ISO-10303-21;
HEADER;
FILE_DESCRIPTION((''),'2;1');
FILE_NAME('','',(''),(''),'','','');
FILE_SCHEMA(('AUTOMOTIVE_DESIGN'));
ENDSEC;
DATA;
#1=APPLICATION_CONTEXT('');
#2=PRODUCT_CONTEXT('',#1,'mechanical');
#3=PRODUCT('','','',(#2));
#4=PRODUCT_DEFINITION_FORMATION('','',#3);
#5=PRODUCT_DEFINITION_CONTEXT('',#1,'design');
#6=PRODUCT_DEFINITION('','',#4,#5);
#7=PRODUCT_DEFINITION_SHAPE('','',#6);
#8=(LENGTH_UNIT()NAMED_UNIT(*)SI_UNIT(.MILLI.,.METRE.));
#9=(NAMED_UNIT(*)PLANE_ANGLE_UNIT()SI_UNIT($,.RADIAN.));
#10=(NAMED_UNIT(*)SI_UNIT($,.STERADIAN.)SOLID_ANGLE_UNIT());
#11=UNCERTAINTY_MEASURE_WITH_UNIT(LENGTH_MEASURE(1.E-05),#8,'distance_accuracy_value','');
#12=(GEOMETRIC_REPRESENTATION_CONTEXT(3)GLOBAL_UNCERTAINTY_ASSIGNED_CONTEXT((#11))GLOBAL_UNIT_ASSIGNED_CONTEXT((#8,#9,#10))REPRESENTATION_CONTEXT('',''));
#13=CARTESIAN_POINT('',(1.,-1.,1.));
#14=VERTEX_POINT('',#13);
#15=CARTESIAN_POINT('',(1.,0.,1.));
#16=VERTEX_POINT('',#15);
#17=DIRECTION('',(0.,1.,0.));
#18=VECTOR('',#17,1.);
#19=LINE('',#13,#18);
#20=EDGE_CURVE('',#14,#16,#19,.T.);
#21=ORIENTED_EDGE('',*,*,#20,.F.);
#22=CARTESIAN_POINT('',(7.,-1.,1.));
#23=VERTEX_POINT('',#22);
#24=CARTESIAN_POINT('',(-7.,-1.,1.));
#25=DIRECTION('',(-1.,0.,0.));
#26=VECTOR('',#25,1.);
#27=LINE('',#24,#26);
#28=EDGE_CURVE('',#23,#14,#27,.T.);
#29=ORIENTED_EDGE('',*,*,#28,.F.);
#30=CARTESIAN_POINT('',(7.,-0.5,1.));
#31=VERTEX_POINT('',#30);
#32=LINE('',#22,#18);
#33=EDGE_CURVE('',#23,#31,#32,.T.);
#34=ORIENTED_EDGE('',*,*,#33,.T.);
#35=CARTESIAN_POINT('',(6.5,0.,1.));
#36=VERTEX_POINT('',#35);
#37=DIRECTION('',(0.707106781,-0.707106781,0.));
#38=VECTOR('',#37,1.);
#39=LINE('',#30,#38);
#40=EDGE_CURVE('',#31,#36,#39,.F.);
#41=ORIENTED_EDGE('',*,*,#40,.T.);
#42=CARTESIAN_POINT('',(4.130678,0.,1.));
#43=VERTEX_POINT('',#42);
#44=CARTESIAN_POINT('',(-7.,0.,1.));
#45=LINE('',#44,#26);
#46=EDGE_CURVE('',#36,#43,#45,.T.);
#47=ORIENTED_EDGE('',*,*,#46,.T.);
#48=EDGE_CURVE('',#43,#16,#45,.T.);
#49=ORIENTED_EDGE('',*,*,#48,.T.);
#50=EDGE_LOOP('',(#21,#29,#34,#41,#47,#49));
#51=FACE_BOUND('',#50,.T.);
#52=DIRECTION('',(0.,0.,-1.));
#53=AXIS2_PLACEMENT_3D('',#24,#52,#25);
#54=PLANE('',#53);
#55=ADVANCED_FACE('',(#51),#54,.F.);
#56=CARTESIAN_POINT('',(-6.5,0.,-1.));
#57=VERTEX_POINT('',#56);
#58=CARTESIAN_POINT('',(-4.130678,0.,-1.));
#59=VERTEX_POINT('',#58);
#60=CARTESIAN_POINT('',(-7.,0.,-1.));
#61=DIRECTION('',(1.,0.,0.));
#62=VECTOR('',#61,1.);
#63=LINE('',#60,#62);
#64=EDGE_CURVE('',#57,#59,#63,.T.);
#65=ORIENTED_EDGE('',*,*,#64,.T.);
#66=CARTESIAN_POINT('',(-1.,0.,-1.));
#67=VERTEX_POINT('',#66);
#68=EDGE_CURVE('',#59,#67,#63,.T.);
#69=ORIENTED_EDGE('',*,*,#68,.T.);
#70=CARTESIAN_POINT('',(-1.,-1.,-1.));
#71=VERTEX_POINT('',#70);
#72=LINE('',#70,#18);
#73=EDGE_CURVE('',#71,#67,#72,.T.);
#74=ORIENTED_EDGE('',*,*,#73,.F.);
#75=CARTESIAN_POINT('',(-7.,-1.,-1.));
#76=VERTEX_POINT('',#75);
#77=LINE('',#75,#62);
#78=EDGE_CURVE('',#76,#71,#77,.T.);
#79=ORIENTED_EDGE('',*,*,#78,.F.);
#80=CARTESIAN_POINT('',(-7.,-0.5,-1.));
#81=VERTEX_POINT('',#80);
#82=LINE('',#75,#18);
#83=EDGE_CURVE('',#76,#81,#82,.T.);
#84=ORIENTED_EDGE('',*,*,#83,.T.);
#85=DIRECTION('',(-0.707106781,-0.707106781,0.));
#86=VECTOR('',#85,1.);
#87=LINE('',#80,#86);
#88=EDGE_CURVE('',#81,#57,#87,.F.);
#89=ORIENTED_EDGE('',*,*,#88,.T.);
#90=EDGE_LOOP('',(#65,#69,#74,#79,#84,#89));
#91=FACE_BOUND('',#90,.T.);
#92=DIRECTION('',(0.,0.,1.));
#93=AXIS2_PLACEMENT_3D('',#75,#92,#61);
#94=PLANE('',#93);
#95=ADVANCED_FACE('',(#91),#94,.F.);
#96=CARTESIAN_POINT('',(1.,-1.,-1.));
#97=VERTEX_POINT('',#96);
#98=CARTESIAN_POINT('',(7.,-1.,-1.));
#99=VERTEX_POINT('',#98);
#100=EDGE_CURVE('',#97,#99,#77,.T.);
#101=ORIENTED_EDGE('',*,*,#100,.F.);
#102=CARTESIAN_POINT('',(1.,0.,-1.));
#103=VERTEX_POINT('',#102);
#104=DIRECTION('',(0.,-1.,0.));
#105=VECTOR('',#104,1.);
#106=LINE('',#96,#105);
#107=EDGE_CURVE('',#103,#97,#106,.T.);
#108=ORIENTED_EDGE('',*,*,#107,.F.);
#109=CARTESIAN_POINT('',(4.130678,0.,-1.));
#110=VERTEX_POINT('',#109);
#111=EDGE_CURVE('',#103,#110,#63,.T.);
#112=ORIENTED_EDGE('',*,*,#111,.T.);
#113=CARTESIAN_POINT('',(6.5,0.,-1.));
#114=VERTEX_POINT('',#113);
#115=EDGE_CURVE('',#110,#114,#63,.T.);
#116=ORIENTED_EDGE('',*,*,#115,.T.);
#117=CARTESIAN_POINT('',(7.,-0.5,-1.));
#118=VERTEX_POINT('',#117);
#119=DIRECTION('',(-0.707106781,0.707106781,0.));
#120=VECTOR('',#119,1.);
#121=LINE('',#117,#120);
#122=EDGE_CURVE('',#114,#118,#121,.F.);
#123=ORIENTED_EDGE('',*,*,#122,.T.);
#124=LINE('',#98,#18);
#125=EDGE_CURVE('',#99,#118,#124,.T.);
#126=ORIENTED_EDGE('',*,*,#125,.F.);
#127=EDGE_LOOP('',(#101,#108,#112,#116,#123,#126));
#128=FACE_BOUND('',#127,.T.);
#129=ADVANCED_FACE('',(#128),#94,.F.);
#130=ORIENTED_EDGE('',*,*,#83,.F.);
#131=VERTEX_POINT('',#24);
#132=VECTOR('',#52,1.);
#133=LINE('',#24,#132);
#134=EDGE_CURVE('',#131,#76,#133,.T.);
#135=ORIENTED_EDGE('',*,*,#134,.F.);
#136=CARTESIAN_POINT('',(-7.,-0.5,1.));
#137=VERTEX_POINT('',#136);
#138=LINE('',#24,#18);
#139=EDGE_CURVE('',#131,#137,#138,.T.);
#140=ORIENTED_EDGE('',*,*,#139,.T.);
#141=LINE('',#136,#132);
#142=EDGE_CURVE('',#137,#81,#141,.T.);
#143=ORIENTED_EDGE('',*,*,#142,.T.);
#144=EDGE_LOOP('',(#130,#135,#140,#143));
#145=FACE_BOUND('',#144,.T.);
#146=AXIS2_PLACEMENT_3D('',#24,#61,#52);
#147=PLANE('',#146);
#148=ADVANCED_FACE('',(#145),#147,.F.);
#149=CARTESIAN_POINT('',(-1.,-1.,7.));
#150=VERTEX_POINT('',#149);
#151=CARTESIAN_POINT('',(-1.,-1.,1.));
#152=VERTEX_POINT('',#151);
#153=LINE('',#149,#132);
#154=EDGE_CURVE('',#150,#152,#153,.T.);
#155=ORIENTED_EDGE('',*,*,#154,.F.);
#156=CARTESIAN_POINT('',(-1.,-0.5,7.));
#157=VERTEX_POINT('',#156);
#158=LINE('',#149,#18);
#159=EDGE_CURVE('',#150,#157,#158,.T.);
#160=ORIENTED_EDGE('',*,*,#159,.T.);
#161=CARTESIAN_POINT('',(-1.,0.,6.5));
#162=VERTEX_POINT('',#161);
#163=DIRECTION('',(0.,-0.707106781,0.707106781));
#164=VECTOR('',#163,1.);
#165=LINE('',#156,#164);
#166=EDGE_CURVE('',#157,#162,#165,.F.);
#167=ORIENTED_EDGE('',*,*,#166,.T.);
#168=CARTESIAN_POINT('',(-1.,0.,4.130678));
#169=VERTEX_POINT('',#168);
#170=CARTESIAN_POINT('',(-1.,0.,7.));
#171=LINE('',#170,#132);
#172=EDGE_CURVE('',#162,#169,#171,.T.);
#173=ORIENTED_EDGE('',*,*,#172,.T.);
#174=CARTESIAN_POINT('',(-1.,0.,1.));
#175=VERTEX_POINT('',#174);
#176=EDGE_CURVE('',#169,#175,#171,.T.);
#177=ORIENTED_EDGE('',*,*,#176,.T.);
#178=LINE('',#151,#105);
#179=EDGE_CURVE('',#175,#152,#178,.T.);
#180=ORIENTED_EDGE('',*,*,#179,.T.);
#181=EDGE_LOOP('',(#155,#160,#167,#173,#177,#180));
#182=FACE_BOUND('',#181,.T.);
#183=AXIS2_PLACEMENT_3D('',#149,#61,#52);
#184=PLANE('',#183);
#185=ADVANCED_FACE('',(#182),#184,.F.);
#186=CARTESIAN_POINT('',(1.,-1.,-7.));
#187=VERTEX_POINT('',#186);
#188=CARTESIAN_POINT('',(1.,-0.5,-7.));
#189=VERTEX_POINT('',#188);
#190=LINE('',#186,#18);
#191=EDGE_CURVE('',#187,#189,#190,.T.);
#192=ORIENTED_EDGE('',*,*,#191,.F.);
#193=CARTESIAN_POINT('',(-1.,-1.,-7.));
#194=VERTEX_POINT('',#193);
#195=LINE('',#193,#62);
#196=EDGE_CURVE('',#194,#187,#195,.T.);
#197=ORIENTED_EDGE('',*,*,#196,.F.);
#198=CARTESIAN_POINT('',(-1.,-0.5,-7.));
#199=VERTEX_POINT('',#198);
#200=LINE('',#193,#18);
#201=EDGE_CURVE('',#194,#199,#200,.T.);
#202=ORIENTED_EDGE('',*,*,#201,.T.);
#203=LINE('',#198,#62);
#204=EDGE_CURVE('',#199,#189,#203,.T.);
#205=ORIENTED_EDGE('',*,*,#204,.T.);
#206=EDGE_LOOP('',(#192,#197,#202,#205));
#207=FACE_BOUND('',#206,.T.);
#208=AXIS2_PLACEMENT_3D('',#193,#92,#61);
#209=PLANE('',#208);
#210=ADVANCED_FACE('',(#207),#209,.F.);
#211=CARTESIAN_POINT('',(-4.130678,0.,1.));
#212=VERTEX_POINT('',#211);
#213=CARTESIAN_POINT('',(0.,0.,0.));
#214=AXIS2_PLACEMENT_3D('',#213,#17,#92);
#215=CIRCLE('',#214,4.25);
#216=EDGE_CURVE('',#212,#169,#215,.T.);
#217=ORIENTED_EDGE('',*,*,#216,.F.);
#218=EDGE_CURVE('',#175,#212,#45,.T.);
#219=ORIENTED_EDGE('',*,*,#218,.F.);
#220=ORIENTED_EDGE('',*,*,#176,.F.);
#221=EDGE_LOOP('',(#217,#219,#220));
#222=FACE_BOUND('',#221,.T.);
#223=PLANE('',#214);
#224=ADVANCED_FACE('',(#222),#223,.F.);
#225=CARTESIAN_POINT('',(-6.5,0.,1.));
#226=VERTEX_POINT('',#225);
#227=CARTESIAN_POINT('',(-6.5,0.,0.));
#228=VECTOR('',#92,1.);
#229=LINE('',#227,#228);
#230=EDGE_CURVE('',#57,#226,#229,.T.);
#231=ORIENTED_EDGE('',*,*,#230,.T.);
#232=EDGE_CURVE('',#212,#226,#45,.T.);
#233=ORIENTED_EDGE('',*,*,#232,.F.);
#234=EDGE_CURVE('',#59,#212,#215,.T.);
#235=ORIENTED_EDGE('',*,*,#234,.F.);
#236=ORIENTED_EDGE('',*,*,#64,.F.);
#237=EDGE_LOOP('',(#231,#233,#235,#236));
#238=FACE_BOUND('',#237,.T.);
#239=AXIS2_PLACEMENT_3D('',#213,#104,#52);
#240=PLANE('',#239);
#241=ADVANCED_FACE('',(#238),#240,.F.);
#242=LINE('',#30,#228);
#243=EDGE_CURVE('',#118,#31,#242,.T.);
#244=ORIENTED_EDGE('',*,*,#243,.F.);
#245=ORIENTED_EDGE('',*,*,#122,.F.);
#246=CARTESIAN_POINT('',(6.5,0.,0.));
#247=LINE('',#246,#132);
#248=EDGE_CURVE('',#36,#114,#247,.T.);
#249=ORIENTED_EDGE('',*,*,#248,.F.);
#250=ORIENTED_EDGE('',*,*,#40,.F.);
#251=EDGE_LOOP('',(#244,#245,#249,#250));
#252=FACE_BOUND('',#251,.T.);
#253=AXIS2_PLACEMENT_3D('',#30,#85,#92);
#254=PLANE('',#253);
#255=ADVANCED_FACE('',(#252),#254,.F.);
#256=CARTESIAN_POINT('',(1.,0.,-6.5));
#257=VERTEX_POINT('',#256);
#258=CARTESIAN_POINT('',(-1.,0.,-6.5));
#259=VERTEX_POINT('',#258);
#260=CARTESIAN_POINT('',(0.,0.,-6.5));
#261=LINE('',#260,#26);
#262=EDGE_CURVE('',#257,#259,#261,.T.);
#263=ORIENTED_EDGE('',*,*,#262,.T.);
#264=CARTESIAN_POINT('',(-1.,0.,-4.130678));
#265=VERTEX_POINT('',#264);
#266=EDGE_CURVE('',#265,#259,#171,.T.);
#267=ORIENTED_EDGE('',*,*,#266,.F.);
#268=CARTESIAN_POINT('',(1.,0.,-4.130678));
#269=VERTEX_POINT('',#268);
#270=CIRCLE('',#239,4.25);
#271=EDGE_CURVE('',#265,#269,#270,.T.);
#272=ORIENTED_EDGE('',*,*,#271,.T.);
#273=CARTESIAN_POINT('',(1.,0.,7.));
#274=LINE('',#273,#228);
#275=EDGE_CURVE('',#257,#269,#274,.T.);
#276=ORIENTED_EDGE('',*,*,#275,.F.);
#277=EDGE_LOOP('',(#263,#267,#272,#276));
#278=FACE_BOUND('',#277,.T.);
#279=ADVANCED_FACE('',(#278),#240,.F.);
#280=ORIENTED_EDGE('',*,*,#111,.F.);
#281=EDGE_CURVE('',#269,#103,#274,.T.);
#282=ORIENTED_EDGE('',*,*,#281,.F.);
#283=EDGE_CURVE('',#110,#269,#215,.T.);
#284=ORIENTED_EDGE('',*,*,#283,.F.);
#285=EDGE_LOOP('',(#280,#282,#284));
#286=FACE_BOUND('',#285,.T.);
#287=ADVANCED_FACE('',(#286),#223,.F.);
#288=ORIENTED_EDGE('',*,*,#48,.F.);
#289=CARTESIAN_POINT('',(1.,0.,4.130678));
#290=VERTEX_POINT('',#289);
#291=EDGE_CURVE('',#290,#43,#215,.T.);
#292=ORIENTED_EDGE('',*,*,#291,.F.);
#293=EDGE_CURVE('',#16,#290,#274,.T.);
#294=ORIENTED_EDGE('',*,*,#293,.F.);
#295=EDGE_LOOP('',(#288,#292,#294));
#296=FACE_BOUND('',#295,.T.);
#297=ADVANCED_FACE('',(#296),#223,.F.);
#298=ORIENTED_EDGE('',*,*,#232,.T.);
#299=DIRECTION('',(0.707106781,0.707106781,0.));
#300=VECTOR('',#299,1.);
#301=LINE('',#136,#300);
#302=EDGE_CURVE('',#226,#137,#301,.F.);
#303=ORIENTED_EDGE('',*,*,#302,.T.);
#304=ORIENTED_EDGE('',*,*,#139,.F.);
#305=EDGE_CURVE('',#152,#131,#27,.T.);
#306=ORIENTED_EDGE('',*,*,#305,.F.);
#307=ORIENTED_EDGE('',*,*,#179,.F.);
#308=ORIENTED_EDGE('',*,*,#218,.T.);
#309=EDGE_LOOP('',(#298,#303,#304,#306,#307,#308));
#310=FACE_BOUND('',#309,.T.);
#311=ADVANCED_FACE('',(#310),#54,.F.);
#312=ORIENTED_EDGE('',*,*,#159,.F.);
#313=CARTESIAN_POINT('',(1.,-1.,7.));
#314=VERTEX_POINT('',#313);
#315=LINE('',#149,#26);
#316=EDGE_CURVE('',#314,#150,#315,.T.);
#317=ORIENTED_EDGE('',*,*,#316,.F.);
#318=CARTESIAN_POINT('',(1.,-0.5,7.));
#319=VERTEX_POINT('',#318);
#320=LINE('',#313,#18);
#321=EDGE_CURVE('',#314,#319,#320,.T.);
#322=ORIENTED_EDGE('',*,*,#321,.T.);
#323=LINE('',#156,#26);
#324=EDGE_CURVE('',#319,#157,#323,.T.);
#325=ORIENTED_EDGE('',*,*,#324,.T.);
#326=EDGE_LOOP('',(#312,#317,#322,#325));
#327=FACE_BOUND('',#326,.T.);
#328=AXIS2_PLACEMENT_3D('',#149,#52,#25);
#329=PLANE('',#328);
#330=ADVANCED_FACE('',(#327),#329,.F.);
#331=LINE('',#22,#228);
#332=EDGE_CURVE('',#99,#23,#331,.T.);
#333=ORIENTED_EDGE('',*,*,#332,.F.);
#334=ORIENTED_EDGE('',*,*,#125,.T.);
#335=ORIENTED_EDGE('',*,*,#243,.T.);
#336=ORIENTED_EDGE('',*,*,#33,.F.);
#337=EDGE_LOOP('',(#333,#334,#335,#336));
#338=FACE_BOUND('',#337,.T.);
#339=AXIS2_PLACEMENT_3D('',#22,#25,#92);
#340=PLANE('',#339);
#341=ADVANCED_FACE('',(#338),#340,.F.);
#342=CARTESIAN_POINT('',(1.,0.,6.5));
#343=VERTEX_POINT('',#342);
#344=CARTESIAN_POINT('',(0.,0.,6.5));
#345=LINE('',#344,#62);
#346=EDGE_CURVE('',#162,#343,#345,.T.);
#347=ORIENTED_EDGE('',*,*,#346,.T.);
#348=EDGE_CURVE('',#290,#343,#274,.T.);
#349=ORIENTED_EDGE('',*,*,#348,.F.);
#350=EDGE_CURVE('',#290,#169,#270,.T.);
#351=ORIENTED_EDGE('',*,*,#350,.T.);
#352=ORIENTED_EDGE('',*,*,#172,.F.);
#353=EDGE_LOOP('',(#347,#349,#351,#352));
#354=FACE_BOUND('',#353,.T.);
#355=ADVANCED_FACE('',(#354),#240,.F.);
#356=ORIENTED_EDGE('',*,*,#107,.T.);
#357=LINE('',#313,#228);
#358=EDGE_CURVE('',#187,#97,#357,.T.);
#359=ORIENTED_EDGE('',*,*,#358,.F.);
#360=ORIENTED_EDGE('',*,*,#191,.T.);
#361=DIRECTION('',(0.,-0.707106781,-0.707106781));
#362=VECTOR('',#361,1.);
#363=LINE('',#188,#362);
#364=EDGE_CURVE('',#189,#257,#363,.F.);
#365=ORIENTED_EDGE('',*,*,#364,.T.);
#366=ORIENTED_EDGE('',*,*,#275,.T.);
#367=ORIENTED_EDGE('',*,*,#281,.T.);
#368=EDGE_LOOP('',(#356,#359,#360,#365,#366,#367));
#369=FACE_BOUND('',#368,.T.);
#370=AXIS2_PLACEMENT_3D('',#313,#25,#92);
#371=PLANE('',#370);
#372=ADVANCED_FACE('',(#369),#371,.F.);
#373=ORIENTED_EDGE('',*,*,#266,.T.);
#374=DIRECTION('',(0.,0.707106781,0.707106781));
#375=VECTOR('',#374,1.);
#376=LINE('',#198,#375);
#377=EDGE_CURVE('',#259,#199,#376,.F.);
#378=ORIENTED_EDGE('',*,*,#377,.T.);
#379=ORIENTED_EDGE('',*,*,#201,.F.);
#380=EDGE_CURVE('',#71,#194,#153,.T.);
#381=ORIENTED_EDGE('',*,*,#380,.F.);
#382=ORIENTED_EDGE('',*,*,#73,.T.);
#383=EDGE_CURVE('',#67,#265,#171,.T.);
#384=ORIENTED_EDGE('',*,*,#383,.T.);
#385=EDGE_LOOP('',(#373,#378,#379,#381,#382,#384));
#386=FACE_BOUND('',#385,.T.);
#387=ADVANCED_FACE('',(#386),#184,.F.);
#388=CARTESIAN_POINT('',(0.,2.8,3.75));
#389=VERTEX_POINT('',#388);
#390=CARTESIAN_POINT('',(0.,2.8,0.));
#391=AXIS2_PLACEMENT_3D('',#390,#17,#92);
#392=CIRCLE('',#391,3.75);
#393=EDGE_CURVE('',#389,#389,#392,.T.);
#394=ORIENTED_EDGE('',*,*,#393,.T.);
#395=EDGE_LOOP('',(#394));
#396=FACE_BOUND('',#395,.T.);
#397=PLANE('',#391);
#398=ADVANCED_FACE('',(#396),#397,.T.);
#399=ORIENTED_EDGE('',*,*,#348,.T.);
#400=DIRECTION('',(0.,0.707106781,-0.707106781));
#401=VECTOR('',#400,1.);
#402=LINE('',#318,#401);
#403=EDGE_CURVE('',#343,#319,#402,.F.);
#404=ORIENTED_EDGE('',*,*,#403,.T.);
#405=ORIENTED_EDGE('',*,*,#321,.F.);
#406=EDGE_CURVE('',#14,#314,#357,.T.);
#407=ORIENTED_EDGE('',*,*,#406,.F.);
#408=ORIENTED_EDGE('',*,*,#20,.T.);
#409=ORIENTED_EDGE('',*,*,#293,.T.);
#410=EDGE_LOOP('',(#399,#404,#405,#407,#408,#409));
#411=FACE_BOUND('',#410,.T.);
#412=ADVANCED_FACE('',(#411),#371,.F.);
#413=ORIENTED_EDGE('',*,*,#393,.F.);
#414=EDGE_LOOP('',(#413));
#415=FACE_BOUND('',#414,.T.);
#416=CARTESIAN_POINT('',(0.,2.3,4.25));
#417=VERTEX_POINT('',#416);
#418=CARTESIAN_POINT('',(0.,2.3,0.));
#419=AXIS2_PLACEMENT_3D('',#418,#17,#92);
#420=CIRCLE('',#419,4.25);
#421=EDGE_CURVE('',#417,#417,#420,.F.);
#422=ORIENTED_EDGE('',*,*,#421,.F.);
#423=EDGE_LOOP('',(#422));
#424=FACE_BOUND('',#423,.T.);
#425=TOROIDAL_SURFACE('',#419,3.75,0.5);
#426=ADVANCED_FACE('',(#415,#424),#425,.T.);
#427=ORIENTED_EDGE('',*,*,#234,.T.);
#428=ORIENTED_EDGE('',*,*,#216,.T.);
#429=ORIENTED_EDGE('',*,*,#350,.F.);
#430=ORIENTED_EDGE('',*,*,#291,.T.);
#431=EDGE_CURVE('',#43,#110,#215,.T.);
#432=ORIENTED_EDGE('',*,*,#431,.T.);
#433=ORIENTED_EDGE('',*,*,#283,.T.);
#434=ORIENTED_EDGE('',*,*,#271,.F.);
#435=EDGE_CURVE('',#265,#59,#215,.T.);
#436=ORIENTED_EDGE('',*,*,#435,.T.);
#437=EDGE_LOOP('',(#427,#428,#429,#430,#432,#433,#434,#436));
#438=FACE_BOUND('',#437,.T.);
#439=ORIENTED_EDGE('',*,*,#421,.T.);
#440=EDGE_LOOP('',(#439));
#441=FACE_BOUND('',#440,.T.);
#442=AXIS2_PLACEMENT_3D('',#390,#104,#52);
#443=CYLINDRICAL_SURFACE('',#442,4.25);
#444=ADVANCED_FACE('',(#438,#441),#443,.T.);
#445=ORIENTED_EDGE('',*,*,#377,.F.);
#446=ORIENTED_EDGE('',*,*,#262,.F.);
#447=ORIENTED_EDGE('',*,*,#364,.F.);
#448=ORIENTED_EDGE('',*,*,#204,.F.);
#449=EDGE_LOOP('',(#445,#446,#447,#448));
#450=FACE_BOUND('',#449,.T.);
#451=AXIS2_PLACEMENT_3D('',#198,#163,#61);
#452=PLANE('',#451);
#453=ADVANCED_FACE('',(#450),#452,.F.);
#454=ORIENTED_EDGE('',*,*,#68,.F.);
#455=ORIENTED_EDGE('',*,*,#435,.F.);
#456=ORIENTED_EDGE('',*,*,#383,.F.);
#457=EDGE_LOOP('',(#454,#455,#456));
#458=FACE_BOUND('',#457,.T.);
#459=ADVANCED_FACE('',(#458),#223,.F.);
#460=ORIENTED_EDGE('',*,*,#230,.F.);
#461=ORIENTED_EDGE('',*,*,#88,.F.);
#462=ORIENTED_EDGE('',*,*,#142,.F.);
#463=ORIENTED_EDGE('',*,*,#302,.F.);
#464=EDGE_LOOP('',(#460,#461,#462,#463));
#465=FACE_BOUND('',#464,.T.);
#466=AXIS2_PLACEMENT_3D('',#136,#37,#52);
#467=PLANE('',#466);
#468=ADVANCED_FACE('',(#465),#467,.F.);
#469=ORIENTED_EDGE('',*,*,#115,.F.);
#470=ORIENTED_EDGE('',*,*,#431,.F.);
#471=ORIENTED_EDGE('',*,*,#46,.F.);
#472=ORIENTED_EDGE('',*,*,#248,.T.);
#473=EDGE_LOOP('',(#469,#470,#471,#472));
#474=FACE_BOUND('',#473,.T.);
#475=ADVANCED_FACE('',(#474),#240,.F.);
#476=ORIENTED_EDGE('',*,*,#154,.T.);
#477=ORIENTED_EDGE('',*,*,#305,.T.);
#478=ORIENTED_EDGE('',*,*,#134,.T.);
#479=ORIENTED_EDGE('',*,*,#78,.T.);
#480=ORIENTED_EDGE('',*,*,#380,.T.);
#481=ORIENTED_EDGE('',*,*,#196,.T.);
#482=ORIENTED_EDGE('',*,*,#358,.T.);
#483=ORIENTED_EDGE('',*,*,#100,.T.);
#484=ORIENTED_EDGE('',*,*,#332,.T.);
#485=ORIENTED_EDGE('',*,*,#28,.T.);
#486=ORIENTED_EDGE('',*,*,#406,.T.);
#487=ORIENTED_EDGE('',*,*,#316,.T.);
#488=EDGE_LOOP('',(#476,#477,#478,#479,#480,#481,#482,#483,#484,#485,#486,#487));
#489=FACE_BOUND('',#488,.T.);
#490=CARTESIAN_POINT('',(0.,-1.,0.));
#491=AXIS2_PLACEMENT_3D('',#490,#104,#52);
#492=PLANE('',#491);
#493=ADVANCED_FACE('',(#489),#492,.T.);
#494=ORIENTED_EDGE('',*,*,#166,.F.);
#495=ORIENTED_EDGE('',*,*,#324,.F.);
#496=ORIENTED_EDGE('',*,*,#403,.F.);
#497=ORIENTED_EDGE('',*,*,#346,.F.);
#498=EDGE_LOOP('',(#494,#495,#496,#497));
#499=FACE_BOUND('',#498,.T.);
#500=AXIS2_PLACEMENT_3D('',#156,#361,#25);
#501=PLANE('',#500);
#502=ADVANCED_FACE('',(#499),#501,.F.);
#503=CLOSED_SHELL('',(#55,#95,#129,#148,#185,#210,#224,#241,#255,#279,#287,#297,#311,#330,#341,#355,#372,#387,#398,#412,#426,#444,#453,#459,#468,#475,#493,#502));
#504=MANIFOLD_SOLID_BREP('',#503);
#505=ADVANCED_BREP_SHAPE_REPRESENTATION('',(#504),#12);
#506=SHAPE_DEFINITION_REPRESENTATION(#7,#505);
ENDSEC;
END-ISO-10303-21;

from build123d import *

# Parameters (mm, degrees)
SKETCH_1_R      = 4.25
EXTRUDE_1_DEPTH = 2.8
FILLET_1_R      = 0.5
SKETCH_2_W      = 14
SKETCH_2_H      = 2
EXTRUDE_2_DEPTH = 1
SKETCH_3_W      = 2
SKETCH_3_H      = 14
EXTRUDE_3_DEPTH = 1
CHAMFER_1_SIZE  = 0.5
CHAMFER_2_SIZE  = 0.5
CHAMFER_3_SIZE  = 0.5


with BuildPart() as part:
    # 草图1 → 凸台-拉伸1 (new body)
    with BuildSketch(Plane(origin=(0, 0, 0), x_dir=(1, 0, 0), z_dir=(0, 1, 0))):
        with Locations(Location((0, 0, 0), (0, 0, 270))):  # turned: the seam where the file's is
            Circle(SKETCH_1_R)
    extrude(amount=EXTRUDE_1_DEPTH)

    # 圆角1
    fillet_1_edges = [part.edges().sort_by_distance(p)[0] for p in [
        (0, 2.8, -4.25),
    ]]
    fillet(fillet_1_edges, radius=FILLET_1_R)

    # 草图2 → 凸台-拉伸2 (add)
    with BuildSketch(Plane.XZ):
        Rectangle(SKETCH_2_W, SKETCH_2_H)
    extrude(amount=EXTRUDE_2_DEPTH)

    # 草图3 → 凸台-拉伸3 (add)
    with BuildSketch(Plane.XZ):
        Rectangle(SKETCH_3_W, SKETCH_3_H)
    extrude(amount=EXTRUDE_3_DEPTH)

    # 倒角1
    chamfer_1_edges = [part.edges().sort_by_distance(p)[0] for p in [
        (0, 0, 7),
    ]]
    chamfer(chamfer_1_edges, length=CHAMFER_1_SIZE)

    # 倒角2
    chamfer_2_edges = [part.edges().sort_by_distance(p)[0] for p in [
        (7, 0, 0),
    ]]
    chamfer(chamfer_2_edges, length=CHAMFER_2_SIZE)

    # 倒角3
    chamfer_3_edges = [part.edges().sort_by_distance(p)[0] for p in [
        (-7, 0, 0),
        (0, 0, -7),
    ]]
    chamfer(chamfer_3_edges, length=CHAMFER_3_SIZE)


solid = part.part
